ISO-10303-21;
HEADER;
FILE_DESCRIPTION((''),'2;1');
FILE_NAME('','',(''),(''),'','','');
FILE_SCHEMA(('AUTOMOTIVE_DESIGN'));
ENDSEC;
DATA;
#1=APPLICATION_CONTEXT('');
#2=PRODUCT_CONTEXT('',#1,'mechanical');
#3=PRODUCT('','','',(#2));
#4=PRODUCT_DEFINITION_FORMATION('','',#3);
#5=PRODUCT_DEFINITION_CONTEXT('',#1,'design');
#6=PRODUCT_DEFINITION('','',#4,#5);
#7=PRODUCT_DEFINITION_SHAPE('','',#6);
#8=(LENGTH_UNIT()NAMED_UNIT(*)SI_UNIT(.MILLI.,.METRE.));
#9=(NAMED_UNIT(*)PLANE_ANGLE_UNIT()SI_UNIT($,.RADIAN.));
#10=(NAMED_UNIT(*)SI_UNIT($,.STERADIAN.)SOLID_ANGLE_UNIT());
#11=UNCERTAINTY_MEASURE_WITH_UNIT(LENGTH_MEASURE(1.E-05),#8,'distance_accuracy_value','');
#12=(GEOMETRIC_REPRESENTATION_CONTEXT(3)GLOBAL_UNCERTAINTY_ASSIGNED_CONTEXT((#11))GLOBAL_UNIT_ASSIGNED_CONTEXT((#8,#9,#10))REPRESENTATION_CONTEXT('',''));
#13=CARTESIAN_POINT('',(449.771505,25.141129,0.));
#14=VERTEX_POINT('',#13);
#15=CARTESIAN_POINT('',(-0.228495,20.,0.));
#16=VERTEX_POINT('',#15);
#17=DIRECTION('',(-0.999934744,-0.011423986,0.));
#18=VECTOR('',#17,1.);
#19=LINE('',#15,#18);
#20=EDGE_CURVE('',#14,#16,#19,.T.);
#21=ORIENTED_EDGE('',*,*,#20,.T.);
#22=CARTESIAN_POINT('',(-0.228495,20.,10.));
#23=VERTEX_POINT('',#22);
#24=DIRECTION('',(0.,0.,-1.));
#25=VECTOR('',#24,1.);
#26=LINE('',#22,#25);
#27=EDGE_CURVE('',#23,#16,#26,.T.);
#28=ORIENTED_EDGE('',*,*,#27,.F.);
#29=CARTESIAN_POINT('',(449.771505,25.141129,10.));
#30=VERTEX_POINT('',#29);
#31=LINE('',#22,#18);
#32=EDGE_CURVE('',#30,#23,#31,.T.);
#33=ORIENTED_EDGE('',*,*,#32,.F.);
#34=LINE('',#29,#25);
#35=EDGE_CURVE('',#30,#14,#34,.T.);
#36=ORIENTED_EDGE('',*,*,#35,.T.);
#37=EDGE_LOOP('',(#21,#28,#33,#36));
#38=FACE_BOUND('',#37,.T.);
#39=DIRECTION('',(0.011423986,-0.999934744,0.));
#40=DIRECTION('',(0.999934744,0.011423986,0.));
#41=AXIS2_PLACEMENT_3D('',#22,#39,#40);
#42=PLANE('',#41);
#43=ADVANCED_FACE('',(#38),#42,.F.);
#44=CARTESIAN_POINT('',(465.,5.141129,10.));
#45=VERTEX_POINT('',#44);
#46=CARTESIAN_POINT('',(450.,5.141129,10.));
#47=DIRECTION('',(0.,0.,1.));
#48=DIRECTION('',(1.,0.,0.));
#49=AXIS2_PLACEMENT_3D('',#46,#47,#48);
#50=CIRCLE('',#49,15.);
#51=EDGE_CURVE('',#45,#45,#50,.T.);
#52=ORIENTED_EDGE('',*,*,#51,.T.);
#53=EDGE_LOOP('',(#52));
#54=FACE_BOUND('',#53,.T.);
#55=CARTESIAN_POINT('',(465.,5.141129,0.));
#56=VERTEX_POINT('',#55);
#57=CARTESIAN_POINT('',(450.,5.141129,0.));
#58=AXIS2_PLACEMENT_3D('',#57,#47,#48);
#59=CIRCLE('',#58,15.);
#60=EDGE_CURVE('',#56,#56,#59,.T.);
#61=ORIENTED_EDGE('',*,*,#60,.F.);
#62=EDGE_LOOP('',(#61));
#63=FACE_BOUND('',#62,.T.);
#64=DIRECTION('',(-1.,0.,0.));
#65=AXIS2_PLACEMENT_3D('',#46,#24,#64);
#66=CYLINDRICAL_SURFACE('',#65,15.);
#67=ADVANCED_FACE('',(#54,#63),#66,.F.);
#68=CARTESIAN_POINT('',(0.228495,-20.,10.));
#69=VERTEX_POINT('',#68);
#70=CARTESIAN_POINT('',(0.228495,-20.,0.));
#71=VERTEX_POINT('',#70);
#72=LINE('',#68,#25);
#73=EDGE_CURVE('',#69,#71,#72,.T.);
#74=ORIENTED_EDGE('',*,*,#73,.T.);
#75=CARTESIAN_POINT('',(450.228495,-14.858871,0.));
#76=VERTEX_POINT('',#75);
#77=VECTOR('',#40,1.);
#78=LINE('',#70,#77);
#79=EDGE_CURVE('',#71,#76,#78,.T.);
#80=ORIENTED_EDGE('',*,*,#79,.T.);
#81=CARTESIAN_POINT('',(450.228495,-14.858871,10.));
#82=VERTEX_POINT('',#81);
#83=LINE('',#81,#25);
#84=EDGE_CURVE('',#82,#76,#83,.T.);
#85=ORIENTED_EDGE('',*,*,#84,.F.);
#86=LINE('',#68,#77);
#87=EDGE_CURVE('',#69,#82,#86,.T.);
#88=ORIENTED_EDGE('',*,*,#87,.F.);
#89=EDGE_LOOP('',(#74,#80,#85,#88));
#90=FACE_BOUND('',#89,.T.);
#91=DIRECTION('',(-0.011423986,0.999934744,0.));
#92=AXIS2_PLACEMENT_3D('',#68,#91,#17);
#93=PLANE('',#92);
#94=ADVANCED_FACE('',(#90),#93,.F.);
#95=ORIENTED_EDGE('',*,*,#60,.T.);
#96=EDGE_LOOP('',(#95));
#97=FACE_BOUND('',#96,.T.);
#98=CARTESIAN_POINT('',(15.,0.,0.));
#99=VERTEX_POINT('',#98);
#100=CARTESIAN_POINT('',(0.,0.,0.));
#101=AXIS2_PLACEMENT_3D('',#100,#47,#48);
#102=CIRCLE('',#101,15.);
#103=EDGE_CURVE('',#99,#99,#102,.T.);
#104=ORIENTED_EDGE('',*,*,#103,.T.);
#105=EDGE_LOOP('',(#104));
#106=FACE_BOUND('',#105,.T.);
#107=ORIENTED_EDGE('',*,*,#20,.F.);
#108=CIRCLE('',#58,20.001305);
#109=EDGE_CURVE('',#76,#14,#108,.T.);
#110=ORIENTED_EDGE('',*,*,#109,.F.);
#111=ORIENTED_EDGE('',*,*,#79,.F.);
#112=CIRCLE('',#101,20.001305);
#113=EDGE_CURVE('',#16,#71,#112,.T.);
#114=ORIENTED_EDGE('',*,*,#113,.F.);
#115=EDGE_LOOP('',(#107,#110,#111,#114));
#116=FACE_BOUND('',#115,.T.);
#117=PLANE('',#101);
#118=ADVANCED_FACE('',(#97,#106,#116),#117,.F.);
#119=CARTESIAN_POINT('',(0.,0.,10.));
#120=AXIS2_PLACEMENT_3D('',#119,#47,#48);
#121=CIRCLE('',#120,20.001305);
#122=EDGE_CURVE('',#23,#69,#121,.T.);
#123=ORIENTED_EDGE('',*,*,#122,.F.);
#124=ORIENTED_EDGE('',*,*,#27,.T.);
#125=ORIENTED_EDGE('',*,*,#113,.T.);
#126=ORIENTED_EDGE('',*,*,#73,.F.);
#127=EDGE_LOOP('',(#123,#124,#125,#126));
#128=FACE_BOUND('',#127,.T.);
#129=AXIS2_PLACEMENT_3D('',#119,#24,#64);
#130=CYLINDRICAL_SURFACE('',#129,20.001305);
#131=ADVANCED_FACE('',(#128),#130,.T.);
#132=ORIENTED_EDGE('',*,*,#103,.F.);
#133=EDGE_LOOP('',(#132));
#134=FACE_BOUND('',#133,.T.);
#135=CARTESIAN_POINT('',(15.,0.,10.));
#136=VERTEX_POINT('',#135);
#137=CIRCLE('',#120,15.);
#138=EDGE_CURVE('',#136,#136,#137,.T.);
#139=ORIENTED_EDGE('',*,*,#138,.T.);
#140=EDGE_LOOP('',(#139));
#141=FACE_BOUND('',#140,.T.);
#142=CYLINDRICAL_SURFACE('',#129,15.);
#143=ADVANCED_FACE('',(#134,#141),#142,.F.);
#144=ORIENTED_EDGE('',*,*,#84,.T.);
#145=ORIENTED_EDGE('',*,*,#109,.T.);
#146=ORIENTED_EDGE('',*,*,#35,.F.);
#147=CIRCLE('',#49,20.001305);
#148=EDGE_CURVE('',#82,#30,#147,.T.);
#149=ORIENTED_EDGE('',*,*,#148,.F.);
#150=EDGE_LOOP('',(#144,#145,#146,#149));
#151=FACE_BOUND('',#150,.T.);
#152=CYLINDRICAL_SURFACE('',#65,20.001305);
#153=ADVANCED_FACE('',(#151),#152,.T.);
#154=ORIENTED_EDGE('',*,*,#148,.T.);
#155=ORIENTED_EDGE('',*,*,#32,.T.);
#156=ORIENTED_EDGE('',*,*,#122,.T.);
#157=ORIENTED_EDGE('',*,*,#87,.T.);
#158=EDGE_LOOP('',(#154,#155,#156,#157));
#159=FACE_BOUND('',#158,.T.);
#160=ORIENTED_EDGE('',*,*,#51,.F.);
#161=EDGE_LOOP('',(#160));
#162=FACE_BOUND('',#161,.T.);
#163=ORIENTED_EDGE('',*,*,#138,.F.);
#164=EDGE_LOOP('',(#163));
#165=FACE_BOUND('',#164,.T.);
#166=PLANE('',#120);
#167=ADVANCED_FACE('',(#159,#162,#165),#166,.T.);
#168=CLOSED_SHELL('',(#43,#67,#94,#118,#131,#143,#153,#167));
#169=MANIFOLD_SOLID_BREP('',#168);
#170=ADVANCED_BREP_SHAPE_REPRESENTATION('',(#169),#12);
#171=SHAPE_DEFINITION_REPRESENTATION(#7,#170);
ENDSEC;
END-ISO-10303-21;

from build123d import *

# Parameters (mm, degrees)
SKETCH_1_R      = 15
EXTRUDE_1_DEPTH = 10


with BuildPart() as part:
    # Эскиз1 → Бобышка-Вытянуть1 (new body)
    with BuildSketch(Plane.XY):
        with BuildLine():
            Line((-0.228494624, 20), (449.771505376, 25.141129032))
            ThreePointArc((449.771505376, 25.141129032), (470, 5.369623656), (450.228494624, -14.858870968))
            Line((450.228494624, -14.858870968), (0.228494624, -20))
            ThreePointArc((0.228494624, -20), (-20, -0.228494624), (-0.228494624, 20))
        make_face()
        Circle(SKETCH_1_R, mode=Mode.SUBTRACT)
        with Locations((450, 5.141129032)):
            Circle(SKETCH_1_R, mode=Mode.SUBTRACT)
    extrude(amount=EXTRUDE_1_DEPTH)


solid = part.part
